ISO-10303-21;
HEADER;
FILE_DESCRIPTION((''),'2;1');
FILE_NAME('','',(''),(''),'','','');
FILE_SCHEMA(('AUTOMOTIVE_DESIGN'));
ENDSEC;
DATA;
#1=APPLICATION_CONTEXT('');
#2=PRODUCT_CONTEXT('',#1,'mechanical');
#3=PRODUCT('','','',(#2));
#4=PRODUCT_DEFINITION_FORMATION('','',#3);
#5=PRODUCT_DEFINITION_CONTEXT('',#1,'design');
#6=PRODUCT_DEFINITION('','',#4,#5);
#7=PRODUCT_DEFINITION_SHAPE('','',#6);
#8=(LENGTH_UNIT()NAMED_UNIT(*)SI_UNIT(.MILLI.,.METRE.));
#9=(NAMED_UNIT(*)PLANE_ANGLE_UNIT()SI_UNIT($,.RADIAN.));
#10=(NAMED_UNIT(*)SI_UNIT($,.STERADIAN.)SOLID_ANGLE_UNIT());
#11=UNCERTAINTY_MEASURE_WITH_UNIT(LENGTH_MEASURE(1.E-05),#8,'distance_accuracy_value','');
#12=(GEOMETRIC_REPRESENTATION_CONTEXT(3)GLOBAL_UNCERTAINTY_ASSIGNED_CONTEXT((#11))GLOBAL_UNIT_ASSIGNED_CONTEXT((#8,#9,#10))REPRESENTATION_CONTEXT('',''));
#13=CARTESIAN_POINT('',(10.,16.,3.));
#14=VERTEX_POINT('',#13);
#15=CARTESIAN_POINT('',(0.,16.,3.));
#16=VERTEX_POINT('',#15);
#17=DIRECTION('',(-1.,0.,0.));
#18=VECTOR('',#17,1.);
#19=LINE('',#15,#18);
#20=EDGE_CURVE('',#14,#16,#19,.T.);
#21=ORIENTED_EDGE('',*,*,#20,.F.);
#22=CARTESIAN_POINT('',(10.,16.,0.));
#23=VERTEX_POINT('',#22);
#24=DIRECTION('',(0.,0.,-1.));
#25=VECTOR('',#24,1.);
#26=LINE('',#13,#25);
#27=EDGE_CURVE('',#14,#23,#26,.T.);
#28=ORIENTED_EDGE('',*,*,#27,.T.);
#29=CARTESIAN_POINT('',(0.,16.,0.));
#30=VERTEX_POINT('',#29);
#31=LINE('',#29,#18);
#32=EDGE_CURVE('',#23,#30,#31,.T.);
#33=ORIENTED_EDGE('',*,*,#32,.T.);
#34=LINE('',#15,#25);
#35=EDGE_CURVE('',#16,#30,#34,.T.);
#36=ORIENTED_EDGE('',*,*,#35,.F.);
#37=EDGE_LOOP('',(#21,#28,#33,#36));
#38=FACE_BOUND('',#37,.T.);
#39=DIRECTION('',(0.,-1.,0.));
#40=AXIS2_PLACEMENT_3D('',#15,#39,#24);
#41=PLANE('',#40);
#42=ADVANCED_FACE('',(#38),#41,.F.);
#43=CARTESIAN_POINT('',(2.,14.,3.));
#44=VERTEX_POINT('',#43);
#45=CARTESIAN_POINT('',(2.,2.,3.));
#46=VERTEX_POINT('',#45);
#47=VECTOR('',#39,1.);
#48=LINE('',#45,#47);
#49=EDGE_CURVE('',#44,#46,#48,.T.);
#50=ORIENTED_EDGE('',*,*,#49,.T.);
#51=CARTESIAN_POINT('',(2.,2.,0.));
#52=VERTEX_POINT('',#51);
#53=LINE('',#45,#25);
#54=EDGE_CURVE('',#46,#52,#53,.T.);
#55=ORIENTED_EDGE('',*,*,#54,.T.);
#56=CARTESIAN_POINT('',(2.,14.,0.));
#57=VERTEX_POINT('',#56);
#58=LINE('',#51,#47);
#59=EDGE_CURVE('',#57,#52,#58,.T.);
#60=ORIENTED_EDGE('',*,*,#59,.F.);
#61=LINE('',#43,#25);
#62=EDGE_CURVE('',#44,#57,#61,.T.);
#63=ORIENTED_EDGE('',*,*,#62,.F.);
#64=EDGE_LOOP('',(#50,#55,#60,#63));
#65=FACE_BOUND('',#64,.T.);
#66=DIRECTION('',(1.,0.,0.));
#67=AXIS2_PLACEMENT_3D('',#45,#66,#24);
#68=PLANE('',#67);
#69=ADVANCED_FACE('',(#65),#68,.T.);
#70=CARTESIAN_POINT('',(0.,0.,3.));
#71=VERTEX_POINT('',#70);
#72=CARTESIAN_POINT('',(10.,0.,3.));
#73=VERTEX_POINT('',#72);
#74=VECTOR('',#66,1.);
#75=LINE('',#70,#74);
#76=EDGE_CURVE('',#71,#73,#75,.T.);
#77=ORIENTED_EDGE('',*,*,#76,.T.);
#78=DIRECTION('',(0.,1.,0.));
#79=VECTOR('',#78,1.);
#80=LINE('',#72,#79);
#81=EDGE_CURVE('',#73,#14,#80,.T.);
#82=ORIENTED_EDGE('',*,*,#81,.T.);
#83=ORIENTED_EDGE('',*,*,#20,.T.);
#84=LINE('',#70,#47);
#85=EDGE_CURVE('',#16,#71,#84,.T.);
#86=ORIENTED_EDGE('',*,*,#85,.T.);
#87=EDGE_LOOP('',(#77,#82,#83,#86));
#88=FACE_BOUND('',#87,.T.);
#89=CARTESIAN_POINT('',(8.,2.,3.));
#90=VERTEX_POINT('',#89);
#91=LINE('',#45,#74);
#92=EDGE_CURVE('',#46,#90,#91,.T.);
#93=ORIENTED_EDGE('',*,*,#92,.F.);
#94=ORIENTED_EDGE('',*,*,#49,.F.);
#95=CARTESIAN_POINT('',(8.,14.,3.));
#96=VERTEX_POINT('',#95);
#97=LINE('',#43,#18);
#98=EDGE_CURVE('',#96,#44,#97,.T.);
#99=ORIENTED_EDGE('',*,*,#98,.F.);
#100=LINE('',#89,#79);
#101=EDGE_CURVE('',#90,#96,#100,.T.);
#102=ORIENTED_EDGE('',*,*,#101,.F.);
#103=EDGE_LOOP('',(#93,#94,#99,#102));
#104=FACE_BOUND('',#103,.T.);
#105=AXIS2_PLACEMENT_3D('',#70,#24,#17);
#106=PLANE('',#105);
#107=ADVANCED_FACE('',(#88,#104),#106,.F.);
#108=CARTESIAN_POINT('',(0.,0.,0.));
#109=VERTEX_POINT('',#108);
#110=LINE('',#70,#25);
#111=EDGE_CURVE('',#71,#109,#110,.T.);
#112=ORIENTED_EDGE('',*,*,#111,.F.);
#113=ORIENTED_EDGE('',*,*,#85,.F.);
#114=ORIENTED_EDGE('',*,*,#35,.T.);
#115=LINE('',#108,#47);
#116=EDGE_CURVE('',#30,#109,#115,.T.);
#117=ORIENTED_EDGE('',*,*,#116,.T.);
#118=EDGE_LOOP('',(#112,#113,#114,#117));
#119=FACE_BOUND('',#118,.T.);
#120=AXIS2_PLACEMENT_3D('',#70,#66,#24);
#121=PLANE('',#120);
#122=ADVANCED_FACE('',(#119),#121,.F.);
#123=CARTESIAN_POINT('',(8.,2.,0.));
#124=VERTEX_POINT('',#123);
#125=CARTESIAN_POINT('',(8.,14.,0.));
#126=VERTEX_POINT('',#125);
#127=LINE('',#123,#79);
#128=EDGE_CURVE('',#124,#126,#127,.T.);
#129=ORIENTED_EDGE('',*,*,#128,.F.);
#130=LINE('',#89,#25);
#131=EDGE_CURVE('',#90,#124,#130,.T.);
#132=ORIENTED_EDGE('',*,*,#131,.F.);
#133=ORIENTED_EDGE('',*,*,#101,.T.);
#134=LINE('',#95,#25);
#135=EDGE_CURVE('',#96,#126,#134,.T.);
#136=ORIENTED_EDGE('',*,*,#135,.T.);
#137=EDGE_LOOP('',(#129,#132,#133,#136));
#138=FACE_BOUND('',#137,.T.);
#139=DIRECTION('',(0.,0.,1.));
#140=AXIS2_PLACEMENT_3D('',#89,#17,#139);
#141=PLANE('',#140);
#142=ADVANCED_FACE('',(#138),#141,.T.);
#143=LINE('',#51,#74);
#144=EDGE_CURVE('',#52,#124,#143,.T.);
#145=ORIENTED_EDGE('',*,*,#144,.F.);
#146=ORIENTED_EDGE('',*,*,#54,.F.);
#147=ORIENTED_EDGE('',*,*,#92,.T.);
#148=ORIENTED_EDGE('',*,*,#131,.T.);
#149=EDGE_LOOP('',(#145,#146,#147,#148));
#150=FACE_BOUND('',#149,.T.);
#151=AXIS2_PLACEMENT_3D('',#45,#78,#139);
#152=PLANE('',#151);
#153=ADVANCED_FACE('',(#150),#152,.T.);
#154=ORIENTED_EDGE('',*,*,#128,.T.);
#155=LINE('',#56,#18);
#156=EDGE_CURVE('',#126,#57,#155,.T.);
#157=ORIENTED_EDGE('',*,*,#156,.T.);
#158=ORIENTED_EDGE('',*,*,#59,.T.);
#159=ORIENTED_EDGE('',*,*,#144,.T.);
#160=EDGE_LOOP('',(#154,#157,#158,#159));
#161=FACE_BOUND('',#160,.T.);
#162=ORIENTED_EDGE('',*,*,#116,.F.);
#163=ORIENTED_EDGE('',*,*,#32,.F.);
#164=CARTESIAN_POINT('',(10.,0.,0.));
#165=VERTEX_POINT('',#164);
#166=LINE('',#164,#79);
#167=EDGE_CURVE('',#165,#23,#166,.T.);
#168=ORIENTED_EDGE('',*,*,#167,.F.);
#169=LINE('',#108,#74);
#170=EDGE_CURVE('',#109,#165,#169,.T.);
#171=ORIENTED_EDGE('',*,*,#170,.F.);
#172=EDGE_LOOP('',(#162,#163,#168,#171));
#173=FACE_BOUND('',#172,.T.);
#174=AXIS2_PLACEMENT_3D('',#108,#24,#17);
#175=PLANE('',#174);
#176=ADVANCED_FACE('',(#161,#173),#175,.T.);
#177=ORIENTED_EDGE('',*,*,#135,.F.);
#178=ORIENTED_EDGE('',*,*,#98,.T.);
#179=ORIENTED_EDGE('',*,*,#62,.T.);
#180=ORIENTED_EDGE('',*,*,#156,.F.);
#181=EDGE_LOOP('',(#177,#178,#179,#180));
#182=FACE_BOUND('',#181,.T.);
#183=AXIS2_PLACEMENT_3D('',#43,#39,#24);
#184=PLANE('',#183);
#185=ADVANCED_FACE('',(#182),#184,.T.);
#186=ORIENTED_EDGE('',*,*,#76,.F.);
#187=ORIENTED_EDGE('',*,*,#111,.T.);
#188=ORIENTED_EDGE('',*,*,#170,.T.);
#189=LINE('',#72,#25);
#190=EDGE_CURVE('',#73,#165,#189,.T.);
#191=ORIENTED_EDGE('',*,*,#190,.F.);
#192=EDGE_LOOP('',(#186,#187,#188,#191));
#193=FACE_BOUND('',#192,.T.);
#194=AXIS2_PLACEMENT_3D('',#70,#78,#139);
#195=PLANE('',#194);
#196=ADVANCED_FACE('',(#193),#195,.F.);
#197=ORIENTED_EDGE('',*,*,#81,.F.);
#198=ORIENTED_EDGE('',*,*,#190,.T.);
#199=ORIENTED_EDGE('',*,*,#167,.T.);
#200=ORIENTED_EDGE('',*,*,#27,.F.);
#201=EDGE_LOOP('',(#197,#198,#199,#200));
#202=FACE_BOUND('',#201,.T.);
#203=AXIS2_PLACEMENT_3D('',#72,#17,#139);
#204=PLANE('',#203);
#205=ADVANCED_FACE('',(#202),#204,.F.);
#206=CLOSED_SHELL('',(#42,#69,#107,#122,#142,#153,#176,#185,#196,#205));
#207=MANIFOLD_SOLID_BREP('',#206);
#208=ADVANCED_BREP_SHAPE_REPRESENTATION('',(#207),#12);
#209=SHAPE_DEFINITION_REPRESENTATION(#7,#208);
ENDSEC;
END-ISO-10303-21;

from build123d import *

# Parameters (mm, degrees)
SKETCH1_W     = 10
SKETCH1_H     = 16
SKETCH1_W_2   = 6
SKETCH1_H_2   = 12
PROFILE_DEPTH = 3


with BuildPart() as part:
    # Sketch1 → Profile (new body)
    with BuildSketch(Plane.XY):
        with Locations((5, 8)):
            Rectangle(SKETCH1_W, SKETCH1_H)
        with Locations((5, 8)):
            Rectangle(SKETCH1_W_2, SKETCH1_H_2, mode=Mode.SUBTRACT)
    extrude(amount=PROFILE_DEPTH)


solid = part.part
